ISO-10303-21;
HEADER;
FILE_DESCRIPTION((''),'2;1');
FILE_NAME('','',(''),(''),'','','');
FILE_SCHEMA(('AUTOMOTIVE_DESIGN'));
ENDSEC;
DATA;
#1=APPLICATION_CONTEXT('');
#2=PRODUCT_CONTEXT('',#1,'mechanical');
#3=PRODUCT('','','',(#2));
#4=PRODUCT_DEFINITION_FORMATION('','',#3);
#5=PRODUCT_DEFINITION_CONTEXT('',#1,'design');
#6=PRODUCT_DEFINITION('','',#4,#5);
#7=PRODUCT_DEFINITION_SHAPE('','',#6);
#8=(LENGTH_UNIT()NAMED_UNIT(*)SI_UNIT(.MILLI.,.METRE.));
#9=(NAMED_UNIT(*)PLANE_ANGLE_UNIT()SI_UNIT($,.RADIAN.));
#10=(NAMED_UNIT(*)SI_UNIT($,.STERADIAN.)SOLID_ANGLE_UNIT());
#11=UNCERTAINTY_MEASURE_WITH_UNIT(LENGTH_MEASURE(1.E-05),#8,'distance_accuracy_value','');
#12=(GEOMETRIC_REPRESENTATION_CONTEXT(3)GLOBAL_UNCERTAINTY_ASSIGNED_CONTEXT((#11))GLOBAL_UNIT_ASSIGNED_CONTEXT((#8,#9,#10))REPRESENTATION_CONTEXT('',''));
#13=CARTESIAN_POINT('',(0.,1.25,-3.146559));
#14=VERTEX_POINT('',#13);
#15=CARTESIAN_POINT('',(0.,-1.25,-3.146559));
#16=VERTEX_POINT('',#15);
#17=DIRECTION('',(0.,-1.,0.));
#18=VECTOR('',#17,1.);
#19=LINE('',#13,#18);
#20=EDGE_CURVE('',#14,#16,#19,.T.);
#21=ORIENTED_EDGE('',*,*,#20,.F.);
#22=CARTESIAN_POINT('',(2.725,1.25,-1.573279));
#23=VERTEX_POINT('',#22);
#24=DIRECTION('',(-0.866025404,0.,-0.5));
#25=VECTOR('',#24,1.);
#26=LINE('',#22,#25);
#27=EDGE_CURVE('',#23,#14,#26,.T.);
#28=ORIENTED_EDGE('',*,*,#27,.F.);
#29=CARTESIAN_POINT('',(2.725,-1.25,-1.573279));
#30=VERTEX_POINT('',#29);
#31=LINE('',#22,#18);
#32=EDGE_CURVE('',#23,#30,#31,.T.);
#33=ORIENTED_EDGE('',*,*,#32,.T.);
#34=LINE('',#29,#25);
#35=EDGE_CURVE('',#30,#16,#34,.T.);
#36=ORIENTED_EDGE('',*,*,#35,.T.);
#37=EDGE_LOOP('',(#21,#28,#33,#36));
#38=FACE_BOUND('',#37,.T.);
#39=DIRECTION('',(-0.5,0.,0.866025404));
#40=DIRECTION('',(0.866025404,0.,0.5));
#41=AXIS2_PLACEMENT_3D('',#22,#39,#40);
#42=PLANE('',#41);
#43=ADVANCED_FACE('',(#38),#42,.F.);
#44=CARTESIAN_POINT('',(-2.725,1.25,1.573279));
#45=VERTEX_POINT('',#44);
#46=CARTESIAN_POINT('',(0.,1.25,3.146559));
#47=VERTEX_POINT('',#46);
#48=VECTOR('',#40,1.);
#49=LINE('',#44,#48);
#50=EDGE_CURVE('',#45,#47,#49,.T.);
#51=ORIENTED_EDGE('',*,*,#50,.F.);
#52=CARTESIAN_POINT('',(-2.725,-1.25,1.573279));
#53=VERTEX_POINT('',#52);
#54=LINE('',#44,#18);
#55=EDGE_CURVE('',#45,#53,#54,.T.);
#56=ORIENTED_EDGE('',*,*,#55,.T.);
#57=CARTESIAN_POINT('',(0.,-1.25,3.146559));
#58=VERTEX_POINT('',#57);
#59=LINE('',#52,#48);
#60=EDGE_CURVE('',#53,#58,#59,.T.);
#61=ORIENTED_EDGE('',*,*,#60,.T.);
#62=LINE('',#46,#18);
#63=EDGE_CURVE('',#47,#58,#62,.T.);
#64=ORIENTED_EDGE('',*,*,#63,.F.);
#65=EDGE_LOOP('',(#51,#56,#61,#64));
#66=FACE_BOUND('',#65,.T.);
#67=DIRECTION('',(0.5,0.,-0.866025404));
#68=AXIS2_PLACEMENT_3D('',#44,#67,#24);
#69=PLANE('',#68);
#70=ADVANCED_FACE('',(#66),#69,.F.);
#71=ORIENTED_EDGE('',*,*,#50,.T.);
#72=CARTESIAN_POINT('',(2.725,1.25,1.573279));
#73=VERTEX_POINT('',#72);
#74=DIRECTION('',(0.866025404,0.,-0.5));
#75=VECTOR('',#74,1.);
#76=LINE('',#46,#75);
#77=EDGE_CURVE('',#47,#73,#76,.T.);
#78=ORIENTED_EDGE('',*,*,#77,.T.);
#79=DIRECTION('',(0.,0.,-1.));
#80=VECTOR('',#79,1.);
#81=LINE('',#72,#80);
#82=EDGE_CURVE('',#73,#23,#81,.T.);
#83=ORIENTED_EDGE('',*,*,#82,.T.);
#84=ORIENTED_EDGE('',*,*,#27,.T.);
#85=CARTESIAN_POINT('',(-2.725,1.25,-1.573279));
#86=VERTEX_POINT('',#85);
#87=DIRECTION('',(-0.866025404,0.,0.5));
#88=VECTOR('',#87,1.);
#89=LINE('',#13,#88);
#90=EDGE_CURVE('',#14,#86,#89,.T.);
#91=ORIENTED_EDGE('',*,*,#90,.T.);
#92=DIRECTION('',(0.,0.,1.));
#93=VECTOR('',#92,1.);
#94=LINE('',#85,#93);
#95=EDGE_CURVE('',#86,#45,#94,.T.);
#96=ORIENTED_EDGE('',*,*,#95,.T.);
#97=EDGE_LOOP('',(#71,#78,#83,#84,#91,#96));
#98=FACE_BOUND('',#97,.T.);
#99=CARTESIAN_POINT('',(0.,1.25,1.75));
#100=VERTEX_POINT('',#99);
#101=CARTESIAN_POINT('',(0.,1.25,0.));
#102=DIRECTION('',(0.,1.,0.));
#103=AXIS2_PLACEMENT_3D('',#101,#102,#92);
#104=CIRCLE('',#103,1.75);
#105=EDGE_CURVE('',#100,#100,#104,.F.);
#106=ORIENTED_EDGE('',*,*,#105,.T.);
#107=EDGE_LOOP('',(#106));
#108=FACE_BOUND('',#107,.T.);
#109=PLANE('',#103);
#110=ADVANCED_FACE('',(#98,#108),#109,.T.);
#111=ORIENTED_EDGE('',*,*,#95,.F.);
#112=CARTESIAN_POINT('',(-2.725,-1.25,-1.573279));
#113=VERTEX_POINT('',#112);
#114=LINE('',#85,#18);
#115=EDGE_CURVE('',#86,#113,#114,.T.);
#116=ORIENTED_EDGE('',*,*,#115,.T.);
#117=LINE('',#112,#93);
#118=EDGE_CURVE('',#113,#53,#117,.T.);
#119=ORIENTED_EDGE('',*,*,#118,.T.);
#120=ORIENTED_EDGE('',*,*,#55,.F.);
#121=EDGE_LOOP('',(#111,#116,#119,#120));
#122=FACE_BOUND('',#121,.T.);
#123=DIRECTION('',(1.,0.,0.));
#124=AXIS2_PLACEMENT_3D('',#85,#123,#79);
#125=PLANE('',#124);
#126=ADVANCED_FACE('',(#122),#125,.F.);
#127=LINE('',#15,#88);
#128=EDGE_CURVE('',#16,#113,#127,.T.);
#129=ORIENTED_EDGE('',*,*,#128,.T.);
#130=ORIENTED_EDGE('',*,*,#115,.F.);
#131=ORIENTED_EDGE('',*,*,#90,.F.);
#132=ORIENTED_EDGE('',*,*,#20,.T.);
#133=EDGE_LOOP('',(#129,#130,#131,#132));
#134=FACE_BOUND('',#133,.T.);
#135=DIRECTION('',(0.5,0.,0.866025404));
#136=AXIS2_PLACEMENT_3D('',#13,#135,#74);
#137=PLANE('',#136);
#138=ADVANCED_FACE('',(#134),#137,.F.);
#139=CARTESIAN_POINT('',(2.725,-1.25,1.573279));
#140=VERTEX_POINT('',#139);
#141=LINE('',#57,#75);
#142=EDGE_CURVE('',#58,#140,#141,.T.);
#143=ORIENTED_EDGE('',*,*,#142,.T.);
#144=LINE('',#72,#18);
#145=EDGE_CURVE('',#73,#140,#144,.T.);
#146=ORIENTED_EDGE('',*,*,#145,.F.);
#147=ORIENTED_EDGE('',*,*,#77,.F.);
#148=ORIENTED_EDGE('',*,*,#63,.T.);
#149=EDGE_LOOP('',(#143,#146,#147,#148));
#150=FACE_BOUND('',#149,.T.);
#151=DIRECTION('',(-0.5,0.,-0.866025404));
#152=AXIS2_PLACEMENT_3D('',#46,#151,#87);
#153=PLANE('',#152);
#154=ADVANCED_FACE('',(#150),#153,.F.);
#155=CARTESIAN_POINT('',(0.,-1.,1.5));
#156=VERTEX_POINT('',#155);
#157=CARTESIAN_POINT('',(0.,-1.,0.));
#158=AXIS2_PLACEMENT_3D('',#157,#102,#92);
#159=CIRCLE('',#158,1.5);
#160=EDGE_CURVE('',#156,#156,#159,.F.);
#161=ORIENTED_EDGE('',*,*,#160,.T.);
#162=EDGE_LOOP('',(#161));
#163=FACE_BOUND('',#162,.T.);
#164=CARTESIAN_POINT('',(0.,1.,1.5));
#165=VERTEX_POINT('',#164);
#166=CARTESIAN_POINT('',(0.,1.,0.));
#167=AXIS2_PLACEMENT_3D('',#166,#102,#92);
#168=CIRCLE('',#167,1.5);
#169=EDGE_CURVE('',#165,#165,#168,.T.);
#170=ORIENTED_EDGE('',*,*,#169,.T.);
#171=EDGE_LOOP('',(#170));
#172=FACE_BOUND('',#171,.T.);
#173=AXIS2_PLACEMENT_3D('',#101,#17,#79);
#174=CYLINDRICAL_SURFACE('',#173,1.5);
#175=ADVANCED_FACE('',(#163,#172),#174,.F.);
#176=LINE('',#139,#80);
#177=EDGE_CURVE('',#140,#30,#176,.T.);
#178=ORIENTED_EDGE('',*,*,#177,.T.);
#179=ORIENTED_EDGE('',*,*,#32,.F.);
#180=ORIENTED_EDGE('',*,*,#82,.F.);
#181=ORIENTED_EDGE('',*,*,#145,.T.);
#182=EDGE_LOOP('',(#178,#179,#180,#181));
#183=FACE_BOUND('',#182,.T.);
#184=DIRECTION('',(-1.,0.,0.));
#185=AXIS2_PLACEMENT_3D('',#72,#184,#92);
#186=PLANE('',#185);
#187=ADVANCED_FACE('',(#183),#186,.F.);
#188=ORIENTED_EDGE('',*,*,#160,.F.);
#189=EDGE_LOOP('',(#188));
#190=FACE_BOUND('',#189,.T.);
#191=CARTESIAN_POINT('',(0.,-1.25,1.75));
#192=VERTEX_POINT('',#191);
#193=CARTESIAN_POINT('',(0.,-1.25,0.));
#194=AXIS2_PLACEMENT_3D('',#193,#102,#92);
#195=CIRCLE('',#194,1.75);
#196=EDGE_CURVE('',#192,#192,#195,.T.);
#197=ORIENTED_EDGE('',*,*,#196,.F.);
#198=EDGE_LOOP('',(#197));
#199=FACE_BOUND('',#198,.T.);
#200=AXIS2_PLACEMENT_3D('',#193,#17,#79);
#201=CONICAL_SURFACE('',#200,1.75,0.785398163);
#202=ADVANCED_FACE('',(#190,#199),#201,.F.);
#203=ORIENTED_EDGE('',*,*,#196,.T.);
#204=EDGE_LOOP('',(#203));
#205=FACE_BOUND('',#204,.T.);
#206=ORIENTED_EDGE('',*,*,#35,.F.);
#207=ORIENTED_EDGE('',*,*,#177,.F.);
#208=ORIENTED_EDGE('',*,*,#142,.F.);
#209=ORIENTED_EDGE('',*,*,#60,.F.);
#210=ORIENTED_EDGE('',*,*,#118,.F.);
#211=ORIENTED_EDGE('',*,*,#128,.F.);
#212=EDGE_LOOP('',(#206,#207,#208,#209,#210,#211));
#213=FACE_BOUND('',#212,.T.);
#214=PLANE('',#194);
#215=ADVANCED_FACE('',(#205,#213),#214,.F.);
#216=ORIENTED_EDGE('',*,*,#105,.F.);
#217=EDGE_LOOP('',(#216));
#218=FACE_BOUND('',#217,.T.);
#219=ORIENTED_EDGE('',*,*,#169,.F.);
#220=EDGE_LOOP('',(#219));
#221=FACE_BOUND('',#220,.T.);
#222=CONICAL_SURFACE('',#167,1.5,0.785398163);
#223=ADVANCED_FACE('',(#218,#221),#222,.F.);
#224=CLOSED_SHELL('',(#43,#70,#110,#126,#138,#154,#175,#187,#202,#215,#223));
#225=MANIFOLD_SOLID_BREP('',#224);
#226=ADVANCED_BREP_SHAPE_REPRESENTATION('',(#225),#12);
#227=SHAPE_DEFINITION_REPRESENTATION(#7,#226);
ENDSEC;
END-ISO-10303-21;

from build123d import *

# Parameters (mm, degrees)
SKETCH2_R           = 1.5
BOSS_EXTRUDE1_DEPTH = 1.25
CHAMFER1_SIZE       = 0.25


with BuildPart() as part:
    # Sketch2 → Boss-Extrude1 (new, symmetric)
    with BuildSketch(Plane(origin=(0, 0, 0), x_dir=(1, 0, 0), z_dir=(0, 1, 0))):
        Polygon((-2.725, 1.573279484), (-2.725, -1.573279484), (0, -3.146558967), (2.725, -1.573279484), (2.725, 1.573279484), (0, 3.146558967), align=None)
        with Locations(Location((0, 0, 0), (0, 0, 270))):
            Circle(SKETCH2_R, mode=Mode.SUBTRACT)
    extrude(amount=BOSS_EXTRUDE1_DEPTH, both=True)

    # Chamfer1
    chamfer1_edges = [part.edges().sort_by_distance(p)[0] for p in [
        (0, -1.25, -1.5),
        (0, 1.25, -1.5),
    ]]
    chamfer(chamfer1_edges, length=CHAMFER1_SIZE)


solid = part.part
